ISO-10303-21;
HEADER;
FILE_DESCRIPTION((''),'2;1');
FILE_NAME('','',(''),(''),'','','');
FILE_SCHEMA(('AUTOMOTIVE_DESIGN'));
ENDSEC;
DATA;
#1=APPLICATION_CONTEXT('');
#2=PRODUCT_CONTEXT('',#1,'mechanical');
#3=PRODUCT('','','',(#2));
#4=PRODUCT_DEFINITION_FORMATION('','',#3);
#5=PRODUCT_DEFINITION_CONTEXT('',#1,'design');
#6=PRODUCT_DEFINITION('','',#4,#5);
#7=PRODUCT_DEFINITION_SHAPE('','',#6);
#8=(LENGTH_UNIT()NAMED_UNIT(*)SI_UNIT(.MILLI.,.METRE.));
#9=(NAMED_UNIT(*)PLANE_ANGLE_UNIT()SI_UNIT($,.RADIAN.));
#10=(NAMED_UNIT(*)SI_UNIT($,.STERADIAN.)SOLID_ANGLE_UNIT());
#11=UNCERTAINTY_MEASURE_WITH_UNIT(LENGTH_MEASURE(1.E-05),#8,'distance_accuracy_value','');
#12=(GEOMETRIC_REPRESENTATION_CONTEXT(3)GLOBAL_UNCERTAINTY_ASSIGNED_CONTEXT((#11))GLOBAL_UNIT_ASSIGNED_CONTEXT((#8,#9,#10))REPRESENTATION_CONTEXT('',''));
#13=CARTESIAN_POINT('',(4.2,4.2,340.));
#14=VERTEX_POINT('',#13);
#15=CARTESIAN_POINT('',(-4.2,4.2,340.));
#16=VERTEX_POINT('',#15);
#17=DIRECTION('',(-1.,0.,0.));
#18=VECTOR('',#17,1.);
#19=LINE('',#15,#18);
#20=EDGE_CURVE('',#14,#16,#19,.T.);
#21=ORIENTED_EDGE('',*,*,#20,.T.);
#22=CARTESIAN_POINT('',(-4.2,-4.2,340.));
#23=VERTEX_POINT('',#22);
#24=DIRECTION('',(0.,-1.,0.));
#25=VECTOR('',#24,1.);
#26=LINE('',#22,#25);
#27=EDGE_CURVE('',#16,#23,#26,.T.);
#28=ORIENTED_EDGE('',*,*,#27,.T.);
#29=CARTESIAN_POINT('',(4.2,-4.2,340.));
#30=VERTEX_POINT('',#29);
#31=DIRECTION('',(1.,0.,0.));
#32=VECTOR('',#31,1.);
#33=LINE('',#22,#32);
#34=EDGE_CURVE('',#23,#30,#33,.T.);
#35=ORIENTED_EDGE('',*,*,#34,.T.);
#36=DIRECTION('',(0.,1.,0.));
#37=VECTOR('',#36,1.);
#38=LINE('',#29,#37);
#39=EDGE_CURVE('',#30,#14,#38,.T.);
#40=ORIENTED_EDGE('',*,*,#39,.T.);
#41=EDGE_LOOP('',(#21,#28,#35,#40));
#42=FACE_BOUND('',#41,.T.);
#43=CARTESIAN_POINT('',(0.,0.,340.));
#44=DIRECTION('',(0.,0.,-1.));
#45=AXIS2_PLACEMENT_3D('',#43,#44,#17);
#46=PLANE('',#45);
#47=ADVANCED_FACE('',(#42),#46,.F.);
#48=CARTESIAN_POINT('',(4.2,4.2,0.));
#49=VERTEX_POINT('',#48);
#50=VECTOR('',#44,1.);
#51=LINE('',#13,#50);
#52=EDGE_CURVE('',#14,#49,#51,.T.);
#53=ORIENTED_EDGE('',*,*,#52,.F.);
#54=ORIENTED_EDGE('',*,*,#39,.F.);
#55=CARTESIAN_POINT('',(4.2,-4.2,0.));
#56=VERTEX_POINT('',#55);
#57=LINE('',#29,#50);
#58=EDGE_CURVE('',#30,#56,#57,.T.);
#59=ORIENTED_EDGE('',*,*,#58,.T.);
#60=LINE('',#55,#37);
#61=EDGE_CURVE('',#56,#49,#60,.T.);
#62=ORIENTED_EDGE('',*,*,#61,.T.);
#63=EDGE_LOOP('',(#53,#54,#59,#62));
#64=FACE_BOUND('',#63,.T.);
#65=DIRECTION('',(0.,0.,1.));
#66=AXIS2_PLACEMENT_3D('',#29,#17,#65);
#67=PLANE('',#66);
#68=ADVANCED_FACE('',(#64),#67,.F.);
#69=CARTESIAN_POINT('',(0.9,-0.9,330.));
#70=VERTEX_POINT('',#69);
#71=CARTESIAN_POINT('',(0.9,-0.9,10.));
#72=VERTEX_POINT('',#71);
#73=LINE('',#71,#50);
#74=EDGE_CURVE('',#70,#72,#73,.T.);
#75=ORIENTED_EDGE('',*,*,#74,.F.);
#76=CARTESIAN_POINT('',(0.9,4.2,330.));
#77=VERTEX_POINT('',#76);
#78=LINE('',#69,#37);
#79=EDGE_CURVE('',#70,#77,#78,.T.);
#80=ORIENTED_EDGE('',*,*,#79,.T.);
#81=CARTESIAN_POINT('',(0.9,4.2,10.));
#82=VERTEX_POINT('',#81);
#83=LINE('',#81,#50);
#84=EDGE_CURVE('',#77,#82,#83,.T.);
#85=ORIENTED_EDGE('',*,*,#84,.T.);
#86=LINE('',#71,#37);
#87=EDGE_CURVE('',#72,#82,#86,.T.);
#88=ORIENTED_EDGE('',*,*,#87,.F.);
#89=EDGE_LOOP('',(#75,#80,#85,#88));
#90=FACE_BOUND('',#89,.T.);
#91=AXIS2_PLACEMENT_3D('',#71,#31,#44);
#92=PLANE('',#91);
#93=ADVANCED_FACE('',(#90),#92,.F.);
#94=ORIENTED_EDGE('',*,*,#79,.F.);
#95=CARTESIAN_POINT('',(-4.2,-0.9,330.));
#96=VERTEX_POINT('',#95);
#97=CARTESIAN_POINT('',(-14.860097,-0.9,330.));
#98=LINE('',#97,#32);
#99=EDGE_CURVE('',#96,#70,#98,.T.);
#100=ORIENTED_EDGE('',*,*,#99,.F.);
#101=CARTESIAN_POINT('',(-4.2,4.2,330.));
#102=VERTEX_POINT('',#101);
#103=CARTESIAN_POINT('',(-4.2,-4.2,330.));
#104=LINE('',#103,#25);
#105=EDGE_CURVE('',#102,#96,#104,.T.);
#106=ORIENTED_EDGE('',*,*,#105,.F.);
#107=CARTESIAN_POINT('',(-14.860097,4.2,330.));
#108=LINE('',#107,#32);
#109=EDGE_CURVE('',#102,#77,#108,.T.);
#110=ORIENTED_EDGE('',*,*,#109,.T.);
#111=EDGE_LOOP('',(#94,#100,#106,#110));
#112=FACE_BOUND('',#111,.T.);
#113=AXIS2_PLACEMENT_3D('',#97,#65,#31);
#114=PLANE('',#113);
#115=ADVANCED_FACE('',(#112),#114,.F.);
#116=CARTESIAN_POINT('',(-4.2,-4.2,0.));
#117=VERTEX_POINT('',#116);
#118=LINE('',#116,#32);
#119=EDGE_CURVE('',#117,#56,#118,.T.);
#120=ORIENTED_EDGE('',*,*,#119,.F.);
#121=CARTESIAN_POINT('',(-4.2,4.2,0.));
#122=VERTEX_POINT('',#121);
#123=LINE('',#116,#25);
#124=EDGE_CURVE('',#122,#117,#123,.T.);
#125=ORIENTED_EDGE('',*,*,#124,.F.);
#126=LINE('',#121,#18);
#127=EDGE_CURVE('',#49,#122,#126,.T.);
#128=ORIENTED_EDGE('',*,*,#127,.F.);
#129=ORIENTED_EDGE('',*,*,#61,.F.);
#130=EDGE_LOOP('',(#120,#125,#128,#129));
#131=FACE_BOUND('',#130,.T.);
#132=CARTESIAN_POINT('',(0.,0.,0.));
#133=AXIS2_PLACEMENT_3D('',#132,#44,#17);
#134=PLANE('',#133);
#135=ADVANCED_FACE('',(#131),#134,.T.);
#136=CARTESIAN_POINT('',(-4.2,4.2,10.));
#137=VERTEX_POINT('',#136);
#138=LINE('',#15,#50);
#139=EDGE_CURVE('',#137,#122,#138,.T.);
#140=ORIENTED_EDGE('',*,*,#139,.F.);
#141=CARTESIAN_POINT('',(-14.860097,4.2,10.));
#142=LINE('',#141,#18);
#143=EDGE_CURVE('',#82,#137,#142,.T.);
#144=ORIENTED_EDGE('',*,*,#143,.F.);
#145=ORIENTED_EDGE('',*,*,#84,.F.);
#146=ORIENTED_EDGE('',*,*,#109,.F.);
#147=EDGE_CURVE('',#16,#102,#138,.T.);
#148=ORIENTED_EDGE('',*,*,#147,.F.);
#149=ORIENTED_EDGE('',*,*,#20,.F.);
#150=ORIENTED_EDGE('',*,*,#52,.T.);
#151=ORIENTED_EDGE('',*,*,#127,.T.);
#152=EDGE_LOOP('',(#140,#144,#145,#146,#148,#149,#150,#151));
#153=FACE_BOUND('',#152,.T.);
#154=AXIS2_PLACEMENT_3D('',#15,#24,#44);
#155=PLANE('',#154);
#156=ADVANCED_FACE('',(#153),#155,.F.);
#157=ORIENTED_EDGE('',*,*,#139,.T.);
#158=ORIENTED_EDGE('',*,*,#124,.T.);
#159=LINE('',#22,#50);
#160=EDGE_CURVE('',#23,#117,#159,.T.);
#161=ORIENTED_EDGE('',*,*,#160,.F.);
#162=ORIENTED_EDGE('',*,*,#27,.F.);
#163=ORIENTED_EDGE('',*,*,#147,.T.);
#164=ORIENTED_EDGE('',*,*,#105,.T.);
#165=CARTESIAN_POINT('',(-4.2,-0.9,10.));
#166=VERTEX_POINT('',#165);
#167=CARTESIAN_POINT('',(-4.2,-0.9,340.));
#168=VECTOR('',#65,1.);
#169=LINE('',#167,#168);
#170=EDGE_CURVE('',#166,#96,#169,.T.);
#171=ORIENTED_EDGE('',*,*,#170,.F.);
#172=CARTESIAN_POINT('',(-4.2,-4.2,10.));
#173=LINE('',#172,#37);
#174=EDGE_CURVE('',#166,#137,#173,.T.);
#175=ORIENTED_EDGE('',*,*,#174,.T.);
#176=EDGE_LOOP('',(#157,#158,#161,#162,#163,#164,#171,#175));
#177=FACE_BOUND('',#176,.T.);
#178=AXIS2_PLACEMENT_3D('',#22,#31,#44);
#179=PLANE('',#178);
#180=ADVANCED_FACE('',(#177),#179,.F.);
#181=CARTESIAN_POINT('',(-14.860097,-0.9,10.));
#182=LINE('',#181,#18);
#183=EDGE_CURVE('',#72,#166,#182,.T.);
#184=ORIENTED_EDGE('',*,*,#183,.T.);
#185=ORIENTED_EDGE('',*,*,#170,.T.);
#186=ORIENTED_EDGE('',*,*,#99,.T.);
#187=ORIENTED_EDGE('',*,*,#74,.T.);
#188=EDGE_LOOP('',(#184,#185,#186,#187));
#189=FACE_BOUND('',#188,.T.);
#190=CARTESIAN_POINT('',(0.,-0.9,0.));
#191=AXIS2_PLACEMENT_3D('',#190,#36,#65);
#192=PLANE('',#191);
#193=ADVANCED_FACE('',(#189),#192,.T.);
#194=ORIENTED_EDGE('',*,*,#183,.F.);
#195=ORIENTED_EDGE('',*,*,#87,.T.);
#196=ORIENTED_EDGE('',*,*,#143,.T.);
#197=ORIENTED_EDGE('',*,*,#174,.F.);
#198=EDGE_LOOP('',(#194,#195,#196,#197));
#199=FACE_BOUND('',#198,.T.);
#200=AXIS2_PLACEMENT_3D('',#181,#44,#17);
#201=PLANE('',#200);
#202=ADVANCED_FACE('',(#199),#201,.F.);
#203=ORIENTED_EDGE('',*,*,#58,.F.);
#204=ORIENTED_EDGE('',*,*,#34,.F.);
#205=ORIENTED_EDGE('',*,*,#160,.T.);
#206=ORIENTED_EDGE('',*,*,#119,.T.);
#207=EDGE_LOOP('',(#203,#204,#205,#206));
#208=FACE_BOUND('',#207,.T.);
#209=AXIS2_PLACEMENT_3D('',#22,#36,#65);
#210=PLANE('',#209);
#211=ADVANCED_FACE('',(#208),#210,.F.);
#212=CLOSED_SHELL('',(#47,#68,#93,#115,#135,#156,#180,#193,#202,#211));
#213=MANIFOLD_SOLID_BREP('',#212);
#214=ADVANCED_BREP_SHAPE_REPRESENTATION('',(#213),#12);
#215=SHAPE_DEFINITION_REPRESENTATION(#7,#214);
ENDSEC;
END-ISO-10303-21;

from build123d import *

# Parameters (mm, degrees)
SKETCH_1_W          = 8.4
SKETCH_1_H          = 8.4
EXTRUDE_1_DEPTH     = 340
SKETCH_3_W          = 15.760097013
SKETCH_3_H          = 320
CUT_EXTRUDE_1_DEPTH = 5.1


with BuildPart() as part:
    # Эскиз1 → Бобышка-Вытянуть1 (new body)
    with BuildSketch(Plane.XY):
        Rectangle(SKETCH_1_W, SKETCH_1_H)
    extrude(amount=EXTRUDE_1_DEPTH)

    # Эскиз3 → Вырез-Вытянуть1 (cut)
    with BuildSketch(Plane(origin=(0, 4.2, 0), x_dir=(1, 0, 0), z_dir=(0, 1, 0))):
        with Locations((-6.980048507, -170)):
            Rectangle(SKETCH_3_W, SKETCH_3_H)
    extrude(amount=-CUT_EXTRUDE_1_DEPTH, mode=Mode.SUBTRACT)


solid = part.part
